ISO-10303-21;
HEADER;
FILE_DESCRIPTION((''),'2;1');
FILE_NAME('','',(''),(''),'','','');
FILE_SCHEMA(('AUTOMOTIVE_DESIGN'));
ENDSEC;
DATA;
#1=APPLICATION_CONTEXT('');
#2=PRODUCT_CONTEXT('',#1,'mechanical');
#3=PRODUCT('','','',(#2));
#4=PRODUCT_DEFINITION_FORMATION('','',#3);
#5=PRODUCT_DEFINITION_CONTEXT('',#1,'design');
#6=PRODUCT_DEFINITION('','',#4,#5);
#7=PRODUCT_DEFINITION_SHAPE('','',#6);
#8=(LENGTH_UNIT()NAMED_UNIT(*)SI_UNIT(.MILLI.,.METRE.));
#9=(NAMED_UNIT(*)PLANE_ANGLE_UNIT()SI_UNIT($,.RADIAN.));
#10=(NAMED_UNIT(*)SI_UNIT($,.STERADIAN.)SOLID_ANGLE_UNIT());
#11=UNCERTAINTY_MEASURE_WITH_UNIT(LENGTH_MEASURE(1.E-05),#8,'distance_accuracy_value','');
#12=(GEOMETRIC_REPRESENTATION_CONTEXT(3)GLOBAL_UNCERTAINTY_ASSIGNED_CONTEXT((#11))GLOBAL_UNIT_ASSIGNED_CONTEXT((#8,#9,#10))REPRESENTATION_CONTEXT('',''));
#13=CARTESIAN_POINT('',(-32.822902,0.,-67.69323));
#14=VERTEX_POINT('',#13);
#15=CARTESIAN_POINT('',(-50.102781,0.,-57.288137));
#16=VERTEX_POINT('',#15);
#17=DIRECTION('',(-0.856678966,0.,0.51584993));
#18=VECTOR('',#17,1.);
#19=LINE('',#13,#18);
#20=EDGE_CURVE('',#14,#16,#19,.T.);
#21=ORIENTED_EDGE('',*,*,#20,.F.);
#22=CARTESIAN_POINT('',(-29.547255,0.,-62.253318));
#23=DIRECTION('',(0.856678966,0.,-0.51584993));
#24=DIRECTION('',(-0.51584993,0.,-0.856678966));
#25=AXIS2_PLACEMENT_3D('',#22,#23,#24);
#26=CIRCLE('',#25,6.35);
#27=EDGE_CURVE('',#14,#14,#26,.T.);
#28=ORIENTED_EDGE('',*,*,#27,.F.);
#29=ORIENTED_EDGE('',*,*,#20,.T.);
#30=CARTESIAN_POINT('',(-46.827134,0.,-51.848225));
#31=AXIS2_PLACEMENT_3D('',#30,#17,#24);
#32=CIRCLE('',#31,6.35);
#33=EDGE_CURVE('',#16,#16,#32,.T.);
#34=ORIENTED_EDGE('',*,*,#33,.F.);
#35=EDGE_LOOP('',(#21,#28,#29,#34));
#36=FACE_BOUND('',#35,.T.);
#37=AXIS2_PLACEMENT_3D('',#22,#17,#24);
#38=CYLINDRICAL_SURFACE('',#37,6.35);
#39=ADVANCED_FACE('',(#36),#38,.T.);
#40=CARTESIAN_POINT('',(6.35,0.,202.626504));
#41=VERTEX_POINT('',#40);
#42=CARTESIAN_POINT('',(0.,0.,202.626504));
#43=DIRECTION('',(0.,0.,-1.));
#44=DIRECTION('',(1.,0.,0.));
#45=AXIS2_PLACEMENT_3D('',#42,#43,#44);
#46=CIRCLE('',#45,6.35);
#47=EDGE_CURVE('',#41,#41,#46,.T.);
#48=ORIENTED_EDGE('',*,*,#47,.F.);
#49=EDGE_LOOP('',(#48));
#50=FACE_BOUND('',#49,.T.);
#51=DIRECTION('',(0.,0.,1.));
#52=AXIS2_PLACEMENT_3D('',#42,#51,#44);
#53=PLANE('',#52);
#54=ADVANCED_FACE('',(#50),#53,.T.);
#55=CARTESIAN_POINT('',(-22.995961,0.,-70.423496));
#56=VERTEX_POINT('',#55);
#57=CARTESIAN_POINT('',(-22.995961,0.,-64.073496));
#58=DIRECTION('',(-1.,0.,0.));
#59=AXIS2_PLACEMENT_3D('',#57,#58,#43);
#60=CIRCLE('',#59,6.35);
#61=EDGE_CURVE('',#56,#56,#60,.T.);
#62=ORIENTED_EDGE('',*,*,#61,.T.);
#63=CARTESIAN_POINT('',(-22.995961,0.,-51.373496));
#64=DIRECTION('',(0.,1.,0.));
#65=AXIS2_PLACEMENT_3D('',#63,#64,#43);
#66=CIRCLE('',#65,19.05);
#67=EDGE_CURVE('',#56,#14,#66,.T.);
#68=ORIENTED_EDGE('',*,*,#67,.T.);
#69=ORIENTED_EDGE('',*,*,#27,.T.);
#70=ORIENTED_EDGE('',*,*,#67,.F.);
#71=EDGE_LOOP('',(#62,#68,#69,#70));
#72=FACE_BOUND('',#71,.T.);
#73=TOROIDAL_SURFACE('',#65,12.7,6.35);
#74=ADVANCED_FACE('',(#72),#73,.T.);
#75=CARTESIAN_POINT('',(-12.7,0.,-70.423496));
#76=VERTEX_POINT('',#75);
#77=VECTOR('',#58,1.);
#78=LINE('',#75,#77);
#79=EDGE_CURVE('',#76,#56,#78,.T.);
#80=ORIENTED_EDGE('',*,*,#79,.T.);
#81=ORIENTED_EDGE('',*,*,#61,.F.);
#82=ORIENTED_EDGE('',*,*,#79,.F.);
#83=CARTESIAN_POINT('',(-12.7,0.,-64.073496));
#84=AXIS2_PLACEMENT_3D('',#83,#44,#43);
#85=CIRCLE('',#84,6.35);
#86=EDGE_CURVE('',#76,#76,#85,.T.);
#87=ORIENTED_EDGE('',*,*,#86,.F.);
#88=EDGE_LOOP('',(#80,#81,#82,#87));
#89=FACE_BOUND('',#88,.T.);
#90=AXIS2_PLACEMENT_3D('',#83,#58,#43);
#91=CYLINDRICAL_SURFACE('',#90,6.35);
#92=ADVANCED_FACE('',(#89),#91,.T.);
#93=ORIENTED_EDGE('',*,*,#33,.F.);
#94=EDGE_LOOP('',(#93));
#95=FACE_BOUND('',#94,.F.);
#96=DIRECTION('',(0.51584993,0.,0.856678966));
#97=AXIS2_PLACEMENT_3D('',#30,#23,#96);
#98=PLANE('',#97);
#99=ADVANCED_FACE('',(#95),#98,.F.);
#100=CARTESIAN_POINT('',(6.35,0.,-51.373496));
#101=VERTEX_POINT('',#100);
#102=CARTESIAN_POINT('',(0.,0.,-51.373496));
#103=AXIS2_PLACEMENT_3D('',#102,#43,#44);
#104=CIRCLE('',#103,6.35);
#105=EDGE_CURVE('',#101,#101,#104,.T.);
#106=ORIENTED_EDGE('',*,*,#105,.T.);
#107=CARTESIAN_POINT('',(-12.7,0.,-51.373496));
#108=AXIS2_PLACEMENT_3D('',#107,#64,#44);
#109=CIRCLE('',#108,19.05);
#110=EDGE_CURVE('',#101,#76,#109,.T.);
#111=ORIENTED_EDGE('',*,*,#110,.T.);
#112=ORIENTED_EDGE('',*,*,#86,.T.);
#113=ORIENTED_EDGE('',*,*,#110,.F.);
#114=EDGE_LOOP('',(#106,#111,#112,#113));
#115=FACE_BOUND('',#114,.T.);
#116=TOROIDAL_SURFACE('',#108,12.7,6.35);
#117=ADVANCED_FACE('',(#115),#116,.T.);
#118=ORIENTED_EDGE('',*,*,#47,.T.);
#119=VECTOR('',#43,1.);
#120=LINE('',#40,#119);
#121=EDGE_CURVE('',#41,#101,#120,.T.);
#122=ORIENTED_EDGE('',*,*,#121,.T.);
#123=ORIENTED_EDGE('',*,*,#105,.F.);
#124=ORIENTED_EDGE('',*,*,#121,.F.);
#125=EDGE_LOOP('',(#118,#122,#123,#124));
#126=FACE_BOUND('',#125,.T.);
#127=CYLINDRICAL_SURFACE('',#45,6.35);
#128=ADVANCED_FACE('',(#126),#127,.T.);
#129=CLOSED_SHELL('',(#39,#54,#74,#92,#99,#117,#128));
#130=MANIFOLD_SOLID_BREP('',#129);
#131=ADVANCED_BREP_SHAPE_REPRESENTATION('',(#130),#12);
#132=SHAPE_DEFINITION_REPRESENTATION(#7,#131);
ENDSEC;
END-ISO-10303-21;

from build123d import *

# Parameters (mm, degrees)
F2_R = 6.35


with BuildPart() as f3:
    # F3: sweep along a path in F0
    with BuildLine(Plane.XZ) as f3_path:
        Line((0, 202.6265044332), (0, -51.3734955668))
        ThreePointArc((0, -51.3734955668), (-3.7197438789, -60.3537516879), (-12.7, -64.0734955668))
        Line((-12.7, -64.0734955668), (-22.9959605263, -64.0734955668))
        ThreePointArc((-22.9959605263, -64.0734955668), (-26.395684753, -63.609993235), (-29.5472546322, -62.2533184302))
        Line((-29.5472546322, -62.2533184302), (-46.827133745, -51.8482252955))
    # F2 (on plane+point) → F3 (sweep)
    with BuildSketch(Plane.XY.offset(202.6265044332)):
        Circle(F2_R)
    sweep(path=f3_path.line)


solid = f3.part
